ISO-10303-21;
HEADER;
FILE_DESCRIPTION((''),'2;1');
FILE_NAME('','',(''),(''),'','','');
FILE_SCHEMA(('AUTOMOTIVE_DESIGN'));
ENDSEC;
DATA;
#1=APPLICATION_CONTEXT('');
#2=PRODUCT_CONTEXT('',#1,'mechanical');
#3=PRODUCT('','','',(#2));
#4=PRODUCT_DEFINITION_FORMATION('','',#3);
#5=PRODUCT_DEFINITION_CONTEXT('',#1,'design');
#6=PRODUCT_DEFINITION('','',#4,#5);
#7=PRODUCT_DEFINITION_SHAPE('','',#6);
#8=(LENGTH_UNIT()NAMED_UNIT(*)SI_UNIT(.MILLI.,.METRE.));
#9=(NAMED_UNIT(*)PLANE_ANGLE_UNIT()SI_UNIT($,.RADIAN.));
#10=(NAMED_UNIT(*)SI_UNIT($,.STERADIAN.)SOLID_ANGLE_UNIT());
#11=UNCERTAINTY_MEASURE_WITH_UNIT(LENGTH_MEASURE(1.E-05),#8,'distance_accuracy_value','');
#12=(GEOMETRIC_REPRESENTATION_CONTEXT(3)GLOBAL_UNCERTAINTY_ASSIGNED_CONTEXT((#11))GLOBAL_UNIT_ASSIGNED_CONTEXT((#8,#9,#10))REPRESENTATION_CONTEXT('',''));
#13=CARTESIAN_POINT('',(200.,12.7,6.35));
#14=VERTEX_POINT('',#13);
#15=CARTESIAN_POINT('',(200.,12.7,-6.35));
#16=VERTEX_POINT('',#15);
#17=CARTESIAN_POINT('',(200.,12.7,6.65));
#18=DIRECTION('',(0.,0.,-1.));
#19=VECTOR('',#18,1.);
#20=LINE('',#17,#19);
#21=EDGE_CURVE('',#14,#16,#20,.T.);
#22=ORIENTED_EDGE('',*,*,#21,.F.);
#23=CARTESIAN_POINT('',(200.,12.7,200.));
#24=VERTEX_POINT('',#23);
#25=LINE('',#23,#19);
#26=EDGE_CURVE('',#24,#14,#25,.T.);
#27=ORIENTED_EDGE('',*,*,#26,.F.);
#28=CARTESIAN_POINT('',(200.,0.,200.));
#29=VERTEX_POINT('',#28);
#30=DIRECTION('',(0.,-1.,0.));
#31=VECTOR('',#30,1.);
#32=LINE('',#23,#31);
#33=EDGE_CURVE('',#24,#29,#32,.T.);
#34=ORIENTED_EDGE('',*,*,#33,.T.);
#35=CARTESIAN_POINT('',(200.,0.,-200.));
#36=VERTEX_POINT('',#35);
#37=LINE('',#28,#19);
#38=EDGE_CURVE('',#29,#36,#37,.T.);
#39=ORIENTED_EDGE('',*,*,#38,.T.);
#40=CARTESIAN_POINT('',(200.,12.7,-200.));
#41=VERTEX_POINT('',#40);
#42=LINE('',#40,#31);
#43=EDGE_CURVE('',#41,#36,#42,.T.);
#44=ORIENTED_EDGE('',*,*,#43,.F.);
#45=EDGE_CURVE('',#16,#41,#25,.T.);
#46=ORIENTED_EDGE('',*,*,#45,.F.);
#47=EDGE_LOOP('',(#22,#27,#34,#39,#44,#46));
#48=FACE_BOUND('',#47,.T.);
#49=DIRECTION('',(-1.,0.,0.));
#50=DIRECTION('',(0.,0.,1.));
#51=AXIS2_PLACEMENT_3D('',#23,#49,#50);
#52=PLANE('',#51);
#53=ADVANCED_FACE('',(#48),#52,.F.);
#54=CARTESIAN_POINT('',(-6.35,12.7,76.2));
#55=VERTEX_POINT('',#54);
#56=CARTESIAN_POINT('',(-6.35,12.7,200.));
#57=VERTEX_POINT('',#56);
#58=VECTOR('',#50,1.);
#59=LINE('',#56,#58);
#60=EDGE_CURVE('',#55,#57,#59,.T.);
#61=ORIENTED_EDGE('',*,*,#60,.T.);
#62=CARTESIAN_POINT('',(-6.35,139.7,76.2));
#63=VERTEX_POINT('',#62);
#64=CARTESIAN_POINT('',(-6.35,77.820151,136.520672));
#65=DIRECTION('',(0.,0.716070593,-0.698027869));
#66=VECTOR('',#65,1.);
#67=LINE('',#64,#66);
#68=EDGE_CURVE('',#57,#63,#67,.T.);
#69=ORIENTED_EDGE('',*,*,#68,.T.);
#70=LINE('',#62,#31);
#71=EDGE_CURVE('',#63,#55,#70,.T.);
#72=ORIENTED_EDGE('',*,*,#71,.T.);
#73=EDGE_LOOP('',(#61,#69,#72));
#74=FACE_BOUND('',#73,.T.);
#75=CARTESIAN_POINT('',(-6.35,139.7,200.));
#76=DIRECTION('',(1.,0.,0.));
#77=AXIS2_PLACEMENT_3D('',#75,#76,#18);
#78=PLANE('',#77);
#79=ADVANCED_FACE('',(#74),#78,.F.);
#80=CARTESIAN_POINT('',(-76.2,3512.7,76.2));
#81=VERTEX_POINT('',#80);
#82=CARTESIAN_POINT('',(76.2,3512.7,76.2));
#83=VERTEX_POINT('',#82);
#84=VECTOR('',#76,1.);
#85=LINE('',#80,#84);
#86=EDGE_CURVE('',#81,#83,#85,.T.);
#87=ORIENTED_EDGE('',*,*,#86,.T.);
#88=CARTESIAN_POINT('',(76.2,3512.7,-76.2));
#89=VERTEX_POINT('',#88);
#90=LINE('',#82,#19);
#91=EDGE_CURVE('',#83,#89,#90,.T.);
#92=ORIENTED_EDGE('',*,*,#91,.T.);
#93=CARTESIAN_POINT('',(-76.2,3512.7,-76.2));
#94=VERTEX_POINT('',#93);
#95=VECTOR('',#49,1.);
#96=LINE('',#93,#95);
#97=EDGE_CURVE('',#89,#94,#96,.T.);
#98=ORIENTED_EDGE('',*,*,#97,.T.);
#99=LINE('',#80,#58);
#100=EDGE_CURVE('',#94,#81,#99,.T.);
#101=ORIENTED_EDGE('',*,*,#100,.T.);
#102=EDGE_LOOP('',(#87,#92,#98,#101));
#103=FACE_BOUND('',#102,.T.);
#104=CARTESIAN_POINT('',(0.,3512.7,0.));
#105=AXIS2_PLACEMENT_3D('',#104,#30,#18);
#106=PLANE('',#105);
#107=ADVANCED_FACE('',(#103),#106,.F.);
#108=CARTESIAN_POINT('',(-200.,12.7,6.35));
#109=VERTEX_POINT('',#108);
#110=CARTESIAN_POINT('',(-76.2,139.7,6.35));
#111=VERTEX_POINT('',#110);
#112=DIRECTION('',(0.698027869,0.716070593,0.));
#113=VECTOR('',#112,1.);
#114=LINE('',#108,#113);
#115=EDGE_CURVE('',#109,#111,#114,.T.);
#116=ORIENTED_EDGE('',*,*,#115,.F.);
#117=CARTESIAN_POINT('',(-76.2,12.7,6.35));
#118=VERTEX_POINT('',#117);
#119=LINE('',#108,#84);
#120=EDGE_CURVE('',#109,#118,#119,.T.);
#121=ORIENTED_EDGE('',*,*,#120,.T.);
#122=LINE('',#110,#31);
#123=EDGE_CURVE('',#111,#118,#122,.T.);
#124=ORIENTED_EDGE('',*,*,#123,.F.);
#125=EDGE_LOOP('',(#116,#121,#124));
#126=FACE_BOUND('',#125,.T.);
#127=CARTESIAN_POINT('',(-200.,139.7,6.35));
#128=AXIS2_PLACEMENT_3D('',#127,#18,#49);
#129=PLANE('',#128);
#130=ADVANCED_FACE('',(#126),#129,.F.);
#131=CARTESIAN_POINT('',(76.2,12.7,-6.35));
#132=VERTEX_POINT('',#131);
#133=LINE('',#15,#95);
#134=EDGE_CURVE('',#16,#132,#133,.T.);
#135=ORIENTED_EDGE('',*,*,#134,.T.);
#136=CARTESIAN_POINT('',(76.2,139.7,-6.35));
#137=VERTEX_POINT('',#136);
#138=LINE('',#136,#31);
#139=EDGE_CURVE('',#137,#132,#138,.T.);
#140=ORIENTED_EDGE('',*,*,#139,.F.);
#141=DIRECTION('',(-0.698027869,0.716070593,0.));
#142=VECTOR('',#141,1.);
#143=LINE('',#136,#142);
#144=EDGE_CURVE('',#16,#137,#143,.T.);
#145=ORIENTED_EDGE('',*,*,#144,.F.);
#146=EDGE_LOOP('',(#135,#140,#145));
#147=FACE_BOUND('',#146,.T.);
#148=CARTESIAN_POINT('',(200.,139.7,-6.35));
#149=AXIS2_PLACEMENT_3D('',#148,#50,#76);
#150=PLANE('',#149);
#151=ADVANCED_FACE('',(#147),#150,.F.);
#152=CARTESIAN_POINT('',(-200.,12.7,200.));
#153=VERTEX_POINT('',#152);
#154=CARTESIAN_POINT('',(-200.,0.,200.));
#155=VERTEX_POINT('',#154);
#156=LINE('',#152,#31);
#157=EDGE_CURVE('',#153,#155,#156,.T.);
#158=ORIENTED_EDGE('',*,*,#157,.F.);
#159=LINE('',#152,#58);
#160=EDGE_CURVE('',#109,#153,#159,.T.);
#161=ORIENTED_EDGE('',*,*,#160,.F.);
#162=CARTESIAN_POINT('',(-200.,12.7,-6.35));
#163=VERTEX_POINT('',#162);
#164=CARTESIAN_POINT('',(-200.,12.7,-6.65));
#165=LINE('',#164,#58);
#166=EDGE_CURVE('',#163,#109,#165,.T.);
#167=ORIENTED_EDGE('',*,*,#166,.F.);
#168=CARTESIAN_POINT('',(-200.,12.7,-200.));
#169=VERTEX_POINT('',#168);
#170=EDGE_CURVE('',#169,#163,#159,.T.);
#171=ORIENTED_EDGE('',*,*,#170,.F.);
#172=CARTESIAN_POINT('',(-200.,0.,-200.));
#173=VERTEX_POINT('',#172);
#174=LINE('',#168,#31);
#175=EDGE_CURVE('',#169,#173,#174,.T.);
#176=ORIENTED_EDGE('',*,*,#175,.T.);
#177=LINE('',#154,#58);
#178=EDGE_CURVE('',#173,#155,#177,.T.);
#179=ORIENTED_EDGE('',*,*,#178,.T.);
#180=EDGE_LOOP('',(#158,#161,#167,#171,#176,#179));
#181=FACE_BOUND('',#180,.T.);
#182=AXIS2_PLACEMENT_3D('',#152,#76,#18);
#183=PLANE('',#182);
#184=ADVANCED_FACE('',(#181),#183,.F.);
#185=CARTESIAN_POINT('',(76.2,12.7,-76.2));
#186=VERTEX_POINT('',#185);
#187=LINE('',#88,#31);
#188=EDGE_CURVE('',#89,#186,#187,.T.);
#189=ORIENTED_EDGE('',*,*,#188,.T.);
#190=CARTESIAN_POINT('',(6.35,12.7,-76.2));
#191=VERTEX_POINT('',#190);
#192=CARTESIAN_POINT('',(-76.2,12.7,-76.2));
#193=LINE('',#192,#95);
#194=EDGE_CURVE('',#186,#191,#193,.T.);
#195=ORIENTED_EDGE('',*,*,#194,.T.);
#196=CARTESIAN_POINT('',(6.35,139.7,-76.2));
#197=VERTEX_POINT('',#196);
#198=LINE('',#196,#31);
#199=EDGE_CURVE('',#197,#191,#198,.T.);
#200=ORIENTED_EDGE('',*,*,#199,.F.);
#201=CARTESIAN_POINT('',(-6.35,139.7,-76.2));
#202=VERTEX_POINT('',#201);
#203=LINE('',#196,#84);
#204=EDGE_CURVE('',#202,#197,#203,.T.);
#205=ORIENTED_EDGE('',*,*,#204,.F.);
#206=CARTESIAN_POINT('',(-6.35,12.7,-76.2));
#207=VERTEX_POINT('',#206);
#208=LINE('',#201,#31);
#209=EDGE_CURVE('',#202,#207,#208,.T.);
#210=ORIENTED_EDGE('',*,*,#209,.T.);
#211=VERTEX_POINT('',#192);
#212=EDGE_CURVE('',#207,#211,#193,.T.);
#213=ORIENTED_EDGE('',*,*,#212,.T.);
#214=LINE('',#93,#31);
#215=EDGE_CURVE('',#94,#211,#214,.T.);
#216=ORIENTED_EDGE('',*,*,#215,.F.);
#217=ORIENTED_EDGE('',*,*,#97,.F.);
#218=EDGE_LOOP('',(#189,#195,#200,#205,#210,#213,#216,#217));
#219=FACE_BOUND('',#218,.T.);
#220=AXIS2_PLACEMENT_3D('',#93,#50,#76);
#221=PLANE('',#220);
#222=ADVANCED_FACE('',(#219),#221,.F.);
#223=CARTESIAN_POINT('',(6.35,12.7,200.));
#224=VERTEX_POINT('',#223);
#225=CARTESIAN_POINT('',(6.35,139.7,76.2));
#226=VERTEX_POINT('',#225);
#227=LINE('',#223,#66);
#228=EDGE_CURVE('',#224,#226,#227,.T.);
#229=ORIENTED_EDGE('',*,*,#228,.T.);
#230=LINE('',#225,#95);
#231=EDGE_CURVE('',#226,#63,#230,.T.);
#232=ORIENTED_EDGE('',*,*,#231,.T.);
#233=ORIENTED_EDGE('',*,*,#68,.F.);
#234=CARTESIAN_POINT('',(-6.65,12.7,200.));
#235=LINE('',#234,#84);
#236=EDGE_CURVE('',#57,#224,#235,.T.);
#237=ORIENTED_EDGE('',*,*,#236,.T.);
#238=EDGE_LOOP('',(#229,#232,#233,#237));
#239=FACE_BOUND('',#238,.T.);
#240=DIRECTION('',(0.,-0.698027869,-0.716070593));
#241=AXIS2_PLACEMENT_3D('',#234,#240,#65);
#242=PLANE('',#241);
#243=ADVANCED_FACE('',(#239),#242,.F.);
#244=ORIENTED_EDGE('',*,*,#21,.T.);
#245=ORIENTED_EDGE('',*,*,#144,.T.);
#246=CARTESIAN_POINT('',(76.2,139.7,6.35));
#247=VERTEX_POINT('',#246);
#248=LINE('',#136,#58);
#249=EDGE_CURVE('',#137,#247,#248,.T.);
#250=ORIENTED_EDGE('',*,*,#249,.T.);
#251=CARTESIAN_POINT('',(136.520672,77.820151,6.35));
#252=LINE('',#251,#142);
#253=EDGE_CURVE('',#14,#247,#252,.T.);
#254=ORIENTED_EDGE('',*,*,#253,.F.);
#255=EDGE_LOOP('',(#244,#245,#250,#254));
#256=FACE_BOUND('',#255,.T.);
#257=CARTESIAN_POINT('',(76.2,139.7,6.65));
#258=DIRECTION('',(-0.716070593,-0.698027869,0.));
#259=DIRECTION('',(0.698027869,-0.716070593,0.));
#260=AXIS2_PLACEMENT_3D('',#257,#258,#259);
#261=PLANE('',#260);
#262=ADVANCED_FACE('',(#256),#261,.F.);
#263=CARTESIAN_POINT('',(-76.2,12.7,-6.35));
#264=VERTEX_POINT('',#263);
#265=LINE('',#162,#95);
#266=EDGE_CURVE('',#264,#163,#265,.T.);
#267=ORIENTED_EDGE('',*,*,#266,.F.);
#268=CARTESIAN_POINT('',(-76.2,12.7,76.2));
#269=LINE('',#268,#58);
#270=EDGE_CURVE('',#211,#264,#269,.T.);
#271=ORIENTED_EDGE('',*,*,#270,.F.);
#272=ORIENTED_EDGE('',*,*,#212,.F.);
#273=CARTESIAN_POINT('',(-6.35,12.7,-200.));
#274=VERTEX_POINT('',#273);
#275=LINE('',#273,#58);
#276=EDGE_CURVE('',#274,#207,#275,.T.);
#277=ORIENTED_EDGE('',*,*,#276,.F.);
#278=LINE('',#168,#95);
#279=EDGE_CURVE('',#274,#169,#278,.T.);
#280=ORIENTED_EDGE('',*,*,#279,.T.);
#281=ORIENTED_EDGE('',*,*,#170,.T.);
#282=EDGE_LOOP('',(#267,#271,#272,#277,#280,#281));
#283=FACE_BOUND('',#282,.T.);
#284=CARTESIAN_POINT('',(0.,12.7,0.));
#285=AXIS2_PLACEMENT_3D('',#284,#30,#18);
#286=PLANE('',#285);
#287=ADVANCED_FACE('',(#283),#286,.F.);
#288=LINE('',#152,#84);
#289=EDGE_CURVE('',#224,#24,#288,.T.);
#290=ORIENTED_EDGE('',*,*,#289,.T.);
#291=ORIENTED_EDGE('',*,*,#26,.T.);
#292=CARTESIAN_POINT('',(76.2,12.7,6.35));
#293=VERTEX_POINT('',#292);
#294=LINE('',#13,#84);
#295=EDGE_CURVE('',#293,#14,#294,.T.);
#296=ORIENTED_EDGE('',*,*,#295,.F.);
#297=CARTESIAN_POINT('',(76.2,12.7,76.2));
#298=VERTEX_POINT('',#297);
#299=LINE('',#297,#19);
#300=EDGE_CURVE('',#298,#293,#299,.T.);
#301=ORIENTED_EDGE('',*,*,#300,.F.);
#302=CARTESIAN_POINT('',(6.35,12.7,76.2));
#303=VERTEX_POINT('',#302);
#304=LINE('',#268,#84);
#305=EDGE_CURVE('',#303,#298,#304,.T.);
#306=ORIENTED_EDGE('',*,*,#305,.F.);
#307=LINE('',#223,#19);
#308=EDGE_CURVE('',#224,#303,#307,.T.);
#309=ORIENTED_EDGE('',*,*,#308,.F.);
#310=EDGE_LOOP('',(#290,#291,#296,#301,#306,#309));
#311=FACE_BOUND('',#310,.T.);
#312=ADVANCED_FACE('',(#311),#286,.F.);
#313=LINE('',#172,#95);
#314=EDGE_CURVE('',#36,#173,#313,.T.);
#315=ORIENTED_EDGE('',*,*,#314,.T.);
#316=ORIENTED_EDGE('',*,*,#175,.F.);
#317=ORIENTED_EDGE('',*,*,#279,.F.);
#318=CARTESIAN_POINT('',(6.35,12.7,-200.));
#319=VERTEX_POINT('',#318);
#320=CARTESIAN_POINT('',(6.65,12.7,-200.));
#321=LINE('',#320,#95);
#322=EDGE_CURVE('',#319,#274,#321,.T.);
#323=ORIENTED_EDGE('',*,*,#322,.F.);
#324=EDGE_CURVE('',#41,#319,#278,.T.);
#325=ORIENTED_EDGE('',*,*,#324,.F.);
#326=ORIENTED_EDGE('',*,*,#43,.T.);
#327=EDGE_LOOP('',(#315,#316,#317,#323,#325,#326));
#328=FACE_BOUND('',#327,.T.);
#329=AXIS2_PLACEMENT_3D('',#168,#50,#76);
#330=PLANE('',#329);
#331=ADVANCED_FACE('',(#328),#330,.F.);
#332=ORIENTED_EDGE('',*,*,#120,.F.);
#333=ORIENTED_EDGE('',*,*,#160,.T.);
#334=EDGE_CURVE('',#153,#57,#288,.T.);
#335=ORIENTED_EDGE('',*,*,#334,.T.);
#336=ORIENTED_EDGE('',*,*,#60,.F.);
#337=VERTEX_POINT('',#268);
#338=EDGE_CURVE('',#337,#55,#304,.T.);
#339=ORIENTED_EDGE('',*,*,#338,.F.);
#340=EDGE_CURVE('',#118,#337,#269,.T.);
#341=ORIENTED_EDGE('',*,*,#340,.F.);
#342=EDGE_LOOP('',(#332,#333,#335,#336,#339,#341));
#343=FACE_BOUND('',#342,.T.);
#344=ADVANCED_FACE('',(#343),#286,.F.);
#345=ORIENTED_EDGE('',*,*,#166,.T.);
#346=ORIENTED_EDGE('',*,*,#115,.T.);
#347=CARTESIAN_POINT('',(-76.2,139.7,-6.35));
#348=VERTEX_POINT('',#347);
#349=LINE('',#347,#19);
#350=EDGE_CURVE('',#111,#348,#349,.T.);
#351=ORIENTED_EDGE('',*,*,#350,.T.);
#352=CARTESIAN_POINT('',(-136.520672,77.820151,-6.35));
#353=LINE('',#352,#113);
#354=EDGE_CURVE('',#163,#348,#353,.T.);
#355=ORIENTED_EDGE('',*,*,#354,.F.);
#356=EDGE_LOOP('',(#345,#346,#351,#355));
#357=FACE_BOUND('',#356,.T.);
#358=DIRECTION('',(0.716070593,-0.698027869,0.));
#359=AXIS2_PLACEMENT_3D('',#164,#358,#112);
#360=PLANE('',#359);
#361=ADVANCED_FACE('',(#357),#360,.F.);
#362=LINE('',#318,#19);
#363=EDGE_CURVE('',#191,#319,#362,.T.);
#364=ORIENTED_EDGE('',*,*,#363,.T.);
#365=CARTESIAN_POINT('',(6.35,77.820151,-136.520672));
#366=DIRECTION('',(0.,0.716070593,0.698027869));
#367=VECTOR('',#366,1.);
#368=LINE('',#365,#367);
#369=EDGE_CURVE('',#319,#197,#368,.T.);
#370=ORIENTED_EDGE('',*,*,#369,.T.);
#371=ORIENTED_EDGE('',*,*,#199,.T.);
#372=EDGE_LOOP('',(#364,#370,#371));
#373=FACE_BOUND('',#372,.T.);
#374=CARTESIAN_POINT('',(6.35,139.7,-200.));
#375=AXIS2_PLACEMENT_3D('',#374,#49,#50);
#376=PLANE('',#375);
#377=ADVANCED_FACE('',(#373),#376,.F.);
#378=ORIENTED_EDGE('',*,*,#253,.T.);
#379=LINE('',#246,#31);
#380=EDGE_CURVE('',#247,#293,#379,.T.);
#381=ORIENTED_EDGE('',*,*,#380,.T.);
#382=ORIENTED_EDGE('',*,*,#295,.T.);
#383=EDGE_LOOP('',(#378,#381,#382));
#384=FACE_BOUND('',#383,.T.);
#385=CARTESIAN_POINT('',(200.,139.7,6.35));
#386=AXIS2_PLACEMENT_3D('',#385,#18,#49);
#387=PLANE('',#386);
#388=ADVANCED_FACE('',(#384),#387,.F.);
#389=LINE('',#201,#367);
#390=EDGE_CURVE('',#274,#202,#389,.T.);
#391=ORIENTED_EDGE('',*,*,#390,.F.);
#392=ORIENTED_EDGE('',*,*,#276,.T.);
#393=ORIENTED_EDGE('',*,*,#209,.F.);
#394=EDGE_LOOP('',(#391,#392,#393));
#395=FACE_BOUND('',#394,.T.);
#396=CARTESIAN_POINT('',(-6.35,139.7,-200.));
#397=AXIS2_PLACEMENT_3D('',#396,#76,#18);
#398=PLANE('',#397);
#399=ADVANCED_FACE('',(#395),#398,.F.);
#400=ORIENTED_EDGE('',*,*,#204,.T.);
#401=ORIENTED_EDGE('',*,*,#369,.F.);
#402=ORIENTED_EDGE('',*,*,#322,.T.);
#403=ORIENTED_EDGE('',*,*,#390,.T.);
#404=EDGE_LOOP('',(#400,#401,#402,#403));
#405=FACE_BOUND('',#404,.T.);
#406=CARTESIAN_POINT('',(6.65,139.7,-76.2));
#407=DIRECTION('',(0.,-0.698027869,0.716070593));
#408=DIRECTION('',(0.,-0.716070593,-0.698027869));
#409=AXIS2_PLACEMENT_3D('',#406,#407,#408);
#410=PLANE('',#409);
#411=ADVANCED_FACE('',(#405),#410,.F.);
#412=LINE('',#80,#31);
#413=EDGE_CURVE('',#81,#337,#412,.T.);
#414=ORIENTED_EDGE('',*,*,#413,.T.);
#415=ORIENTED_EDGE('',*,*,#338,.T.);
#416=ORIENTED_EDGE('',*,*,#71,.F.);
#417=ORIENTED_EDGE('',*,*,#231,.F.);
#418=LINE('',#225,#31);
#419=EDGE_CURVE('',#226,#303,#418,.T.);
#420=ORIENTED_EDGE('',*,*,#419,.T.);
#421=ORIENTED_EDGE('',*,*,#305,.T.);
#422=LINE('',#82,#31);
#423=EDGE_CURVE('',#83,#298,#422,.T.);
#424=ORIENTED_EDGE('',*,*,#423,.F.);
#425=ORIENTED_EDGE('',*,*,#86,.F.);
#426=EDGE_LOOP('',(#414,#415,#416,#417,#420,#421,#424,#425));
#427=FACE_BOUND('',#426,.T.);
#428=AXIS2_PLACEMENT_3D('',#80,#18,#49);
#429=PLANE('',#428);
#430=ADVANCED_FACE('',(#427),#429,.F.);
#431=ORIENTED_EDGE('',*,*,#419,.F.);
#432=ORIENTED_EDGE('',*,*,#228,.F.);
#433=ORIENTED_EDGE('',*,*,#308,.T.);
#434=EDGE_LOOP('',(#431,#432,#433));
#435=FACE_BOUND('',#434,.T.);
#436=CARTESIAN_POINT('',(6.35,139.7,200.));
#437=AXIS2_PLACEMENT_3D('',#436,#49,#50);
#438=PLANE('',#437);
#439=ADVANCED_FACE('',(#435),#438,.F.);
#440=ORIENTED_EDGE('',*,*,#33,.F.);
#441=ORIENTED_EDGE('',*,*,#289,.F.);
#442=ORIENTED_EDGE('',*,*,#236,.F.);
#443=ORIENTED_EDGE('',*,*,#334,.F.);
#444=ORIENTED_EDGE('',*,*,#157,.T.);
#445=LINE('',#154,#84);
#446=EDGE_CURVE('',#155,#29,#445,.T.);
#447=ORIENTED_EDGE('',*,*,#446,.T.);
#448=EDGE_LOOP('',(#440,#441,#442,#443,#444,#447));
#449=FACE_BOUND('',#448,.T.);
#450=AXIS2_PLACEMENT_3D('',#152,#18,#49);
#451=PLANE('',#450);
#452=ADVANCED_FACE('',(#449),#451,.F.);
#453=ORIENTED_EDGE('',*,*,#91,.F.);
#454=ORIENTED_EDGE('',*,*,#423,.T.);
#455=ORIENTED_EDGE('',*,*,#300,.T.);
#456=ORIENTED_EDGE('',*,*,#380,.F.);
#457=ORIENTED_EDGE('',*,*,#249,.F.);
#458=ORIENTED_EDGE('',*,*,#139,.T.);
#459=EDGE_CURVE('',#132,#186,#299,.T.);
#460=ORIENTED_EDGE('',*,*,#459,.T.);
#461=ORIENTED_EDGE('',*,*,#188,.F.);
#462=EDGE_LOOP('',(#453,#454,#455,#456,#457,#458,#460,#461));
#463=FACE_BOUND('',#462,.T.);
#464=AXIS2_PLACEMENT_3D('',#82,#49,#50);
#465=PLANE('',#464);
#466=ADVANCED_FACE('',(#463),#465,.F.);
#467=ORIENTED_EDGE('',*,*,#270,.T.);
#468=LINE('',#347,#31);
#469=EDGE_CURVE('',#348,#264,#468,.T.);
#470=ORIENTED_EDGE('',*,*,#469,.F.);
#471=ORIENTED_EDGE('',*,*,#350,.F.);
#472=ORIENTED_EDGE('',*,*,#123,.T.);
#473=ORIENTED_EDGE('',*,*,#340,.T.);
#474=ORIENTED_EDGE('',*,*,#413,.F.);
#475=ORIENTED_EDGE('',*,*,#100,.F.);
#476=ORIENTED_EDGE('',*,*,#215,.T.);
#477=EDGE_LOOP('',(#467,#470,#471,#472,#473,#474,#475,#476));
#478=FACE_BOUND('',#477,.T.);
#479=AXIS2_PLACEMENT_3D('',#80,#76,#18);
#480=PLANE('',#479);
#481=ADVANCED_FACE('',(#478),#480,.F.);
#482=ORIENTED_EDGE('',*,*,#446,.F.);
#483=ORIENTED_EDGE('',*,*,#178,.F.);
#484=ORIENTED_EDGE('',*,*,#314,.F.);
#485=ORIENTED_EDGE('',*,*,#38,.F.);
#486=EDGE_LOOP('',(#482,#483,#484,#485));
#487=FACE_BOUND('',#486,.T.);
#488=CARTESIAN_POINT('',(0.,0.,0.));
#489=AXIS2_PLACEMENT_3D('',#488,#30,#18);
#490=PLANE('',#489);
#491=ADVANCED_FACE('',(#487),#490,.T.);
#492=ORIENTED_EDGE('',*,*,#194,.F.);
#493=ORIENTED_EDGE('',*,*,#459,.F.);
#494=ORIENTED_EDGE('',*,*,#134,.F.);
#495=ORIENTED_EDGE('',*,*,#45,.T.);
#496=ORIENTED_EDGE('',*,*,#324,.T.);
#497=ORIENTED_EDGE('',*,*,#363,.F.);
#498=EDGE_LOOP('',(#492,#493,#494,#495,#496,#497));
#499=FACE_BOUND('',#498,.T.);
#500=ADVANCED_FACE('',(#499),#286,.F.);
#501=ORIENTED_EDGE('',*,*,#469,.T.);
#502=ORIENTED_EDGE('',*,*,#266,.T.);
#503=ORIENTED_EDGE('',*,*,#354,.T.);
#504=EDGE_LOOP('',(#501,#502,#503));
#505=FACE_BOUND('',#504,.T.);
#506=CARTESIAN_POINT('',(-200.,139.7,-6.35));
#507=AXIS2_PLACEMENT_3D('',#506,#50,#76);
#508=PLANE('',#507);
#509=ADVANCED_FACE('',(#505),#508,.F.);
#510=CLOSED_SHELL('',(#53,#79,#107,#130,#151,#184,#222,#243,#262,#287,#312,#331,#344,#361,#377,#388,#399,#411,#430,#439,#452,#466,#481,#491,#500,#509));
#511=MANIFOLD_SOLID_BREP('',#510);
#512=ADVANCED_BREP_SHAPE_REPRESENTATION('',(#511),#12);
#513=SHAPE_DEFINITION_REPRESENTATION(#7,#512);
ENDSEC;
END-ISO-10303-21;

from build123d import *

# Parameters (mm, degrees)
CROQUIS1_W              = 400
CROQUIS1_H              = 400
SALIENTE_EXTRUIR1_DEPTH = 12.7
CROQUIS2_W              = 152.4
CROQUIS2_H              = 152.4
SALIENTE_EXTRUIR2_DEPTH = 3500
CROQUIS3_W              = 123.8
CROQUIS3_H              = 12.7
CROQUIS3_W_2            = 12.7
CROQUIS3_H_2            = 123.8
SALIENTE_EXTRUIR3_DEPTH = 127
CORTAR_EXTRUIR1_DEPTH   = 13
CORTAR_EXTRUIR2_DEPTH   = 13
CORTAR_EXTRUIR3_DEPTH   = 13
CORTAR_EXTRUIR4_DEPTH   = 13


with BuildPart() as part:
    # Croquis1 → Saliente-Extruir1 (new body)
    with BuildSketch(Plane(origin=(0, 0, 0), x_dir=(1, 0, 0), z_dir=(0, 1, 0))):
        Rectangle(CROQUIS1_W, CROQUIS1_H)
    extrude(amount=SALIENTE_EXTRUIR1_DEPTH)

    # Croquis2 → Saliente-Extruir2 (add)
    with BuildSketch(Plane(origin=(0, 12.7, 0), x_dir=(1, 0, 0), z_dir=(0, 1, 0))):
        Rectangle(CROQUIS2_W, CROQUIS2_H)
    extrude(amount=SALIENTE_EXTRUIR2_DEPTH)

    # Croquis3 → Saliente-Extruir3 (add)
    with BuildSketch(Plane(origin=(0, 12.7, 0), x_dir=(1, 0, 0), z_dir=(0, 1, 0))):
        with Locations((138.1, 0)):
            Rectangle(CROQUIS3_W, CROQUIS3_H)
        with Locations((-138.1, 0)):
            Rectangle(CROQUIS3_W, CROQUIS3_H)
        with Locations((0, 138.1)):
            Rectangle(CROQUIS3_W_2, CROQUIS3_H_2)
        with Locations((0, -138.1)):
            Rectangle(CROQUIS3_W_2, CROQUIS3_H_2)
    extrude(amount=SALIENTE_EXTRUIR3_DEPTH)

    # Croquis4 → Cortar-Extruir1 (cut)
    with BuildSketch(Plane(origin=(6.35, 0, 0), x_dir=(0, 0, -1), z_dir=(1, 0, 0))):
        Polygon((-200, 12.7), (-76.2, 139.7), (-200, 139.7), align=None)
    extrude(amount=-CORTAR_EXTRUIR1_DEPTH, mode=Mode.SUBTRACT)

    # Croquis5 → Cortar-Extruir2 (cut)
    with BuildSketch(Plane.XY.offset(6.35)):
        Polygon((-200, 12.7), (-76.2, 139.7), (-200, 139.7), align=None)
    extrude(amount=-CORTAR_EXTRUIR2_DEPTH, mode=Mode.SUBTRACT)

    # Croquis6 → Cortar-Extruir3 (cut)
    with BuildSketch(Plane.ZY.offset(6.35)):
        Polygon((-76.2, 139.7), (-200, 12.7), (-200, 139.7), align=None)
    extrude(amount=-CORTAR_EXTRUIR3_DEPTH, mode=Mode.SUBTRACT)

    # Croquis7 → Cortar-Extruir4 (cut)
    with BuildSketch(Plane(origin=(0, 0, -6.35), x_dir=(-1, 0, 0), z_dir=(0, 0, -1))):
        Polygon((-76.2, 139.7), (-200, 12.7), (-200, 139.7), align=None)
    extrude(amount=-CORTAR_EXTRUIR4_DEPTH, mode=Mode.SUBTRACT)


solid = part.part
